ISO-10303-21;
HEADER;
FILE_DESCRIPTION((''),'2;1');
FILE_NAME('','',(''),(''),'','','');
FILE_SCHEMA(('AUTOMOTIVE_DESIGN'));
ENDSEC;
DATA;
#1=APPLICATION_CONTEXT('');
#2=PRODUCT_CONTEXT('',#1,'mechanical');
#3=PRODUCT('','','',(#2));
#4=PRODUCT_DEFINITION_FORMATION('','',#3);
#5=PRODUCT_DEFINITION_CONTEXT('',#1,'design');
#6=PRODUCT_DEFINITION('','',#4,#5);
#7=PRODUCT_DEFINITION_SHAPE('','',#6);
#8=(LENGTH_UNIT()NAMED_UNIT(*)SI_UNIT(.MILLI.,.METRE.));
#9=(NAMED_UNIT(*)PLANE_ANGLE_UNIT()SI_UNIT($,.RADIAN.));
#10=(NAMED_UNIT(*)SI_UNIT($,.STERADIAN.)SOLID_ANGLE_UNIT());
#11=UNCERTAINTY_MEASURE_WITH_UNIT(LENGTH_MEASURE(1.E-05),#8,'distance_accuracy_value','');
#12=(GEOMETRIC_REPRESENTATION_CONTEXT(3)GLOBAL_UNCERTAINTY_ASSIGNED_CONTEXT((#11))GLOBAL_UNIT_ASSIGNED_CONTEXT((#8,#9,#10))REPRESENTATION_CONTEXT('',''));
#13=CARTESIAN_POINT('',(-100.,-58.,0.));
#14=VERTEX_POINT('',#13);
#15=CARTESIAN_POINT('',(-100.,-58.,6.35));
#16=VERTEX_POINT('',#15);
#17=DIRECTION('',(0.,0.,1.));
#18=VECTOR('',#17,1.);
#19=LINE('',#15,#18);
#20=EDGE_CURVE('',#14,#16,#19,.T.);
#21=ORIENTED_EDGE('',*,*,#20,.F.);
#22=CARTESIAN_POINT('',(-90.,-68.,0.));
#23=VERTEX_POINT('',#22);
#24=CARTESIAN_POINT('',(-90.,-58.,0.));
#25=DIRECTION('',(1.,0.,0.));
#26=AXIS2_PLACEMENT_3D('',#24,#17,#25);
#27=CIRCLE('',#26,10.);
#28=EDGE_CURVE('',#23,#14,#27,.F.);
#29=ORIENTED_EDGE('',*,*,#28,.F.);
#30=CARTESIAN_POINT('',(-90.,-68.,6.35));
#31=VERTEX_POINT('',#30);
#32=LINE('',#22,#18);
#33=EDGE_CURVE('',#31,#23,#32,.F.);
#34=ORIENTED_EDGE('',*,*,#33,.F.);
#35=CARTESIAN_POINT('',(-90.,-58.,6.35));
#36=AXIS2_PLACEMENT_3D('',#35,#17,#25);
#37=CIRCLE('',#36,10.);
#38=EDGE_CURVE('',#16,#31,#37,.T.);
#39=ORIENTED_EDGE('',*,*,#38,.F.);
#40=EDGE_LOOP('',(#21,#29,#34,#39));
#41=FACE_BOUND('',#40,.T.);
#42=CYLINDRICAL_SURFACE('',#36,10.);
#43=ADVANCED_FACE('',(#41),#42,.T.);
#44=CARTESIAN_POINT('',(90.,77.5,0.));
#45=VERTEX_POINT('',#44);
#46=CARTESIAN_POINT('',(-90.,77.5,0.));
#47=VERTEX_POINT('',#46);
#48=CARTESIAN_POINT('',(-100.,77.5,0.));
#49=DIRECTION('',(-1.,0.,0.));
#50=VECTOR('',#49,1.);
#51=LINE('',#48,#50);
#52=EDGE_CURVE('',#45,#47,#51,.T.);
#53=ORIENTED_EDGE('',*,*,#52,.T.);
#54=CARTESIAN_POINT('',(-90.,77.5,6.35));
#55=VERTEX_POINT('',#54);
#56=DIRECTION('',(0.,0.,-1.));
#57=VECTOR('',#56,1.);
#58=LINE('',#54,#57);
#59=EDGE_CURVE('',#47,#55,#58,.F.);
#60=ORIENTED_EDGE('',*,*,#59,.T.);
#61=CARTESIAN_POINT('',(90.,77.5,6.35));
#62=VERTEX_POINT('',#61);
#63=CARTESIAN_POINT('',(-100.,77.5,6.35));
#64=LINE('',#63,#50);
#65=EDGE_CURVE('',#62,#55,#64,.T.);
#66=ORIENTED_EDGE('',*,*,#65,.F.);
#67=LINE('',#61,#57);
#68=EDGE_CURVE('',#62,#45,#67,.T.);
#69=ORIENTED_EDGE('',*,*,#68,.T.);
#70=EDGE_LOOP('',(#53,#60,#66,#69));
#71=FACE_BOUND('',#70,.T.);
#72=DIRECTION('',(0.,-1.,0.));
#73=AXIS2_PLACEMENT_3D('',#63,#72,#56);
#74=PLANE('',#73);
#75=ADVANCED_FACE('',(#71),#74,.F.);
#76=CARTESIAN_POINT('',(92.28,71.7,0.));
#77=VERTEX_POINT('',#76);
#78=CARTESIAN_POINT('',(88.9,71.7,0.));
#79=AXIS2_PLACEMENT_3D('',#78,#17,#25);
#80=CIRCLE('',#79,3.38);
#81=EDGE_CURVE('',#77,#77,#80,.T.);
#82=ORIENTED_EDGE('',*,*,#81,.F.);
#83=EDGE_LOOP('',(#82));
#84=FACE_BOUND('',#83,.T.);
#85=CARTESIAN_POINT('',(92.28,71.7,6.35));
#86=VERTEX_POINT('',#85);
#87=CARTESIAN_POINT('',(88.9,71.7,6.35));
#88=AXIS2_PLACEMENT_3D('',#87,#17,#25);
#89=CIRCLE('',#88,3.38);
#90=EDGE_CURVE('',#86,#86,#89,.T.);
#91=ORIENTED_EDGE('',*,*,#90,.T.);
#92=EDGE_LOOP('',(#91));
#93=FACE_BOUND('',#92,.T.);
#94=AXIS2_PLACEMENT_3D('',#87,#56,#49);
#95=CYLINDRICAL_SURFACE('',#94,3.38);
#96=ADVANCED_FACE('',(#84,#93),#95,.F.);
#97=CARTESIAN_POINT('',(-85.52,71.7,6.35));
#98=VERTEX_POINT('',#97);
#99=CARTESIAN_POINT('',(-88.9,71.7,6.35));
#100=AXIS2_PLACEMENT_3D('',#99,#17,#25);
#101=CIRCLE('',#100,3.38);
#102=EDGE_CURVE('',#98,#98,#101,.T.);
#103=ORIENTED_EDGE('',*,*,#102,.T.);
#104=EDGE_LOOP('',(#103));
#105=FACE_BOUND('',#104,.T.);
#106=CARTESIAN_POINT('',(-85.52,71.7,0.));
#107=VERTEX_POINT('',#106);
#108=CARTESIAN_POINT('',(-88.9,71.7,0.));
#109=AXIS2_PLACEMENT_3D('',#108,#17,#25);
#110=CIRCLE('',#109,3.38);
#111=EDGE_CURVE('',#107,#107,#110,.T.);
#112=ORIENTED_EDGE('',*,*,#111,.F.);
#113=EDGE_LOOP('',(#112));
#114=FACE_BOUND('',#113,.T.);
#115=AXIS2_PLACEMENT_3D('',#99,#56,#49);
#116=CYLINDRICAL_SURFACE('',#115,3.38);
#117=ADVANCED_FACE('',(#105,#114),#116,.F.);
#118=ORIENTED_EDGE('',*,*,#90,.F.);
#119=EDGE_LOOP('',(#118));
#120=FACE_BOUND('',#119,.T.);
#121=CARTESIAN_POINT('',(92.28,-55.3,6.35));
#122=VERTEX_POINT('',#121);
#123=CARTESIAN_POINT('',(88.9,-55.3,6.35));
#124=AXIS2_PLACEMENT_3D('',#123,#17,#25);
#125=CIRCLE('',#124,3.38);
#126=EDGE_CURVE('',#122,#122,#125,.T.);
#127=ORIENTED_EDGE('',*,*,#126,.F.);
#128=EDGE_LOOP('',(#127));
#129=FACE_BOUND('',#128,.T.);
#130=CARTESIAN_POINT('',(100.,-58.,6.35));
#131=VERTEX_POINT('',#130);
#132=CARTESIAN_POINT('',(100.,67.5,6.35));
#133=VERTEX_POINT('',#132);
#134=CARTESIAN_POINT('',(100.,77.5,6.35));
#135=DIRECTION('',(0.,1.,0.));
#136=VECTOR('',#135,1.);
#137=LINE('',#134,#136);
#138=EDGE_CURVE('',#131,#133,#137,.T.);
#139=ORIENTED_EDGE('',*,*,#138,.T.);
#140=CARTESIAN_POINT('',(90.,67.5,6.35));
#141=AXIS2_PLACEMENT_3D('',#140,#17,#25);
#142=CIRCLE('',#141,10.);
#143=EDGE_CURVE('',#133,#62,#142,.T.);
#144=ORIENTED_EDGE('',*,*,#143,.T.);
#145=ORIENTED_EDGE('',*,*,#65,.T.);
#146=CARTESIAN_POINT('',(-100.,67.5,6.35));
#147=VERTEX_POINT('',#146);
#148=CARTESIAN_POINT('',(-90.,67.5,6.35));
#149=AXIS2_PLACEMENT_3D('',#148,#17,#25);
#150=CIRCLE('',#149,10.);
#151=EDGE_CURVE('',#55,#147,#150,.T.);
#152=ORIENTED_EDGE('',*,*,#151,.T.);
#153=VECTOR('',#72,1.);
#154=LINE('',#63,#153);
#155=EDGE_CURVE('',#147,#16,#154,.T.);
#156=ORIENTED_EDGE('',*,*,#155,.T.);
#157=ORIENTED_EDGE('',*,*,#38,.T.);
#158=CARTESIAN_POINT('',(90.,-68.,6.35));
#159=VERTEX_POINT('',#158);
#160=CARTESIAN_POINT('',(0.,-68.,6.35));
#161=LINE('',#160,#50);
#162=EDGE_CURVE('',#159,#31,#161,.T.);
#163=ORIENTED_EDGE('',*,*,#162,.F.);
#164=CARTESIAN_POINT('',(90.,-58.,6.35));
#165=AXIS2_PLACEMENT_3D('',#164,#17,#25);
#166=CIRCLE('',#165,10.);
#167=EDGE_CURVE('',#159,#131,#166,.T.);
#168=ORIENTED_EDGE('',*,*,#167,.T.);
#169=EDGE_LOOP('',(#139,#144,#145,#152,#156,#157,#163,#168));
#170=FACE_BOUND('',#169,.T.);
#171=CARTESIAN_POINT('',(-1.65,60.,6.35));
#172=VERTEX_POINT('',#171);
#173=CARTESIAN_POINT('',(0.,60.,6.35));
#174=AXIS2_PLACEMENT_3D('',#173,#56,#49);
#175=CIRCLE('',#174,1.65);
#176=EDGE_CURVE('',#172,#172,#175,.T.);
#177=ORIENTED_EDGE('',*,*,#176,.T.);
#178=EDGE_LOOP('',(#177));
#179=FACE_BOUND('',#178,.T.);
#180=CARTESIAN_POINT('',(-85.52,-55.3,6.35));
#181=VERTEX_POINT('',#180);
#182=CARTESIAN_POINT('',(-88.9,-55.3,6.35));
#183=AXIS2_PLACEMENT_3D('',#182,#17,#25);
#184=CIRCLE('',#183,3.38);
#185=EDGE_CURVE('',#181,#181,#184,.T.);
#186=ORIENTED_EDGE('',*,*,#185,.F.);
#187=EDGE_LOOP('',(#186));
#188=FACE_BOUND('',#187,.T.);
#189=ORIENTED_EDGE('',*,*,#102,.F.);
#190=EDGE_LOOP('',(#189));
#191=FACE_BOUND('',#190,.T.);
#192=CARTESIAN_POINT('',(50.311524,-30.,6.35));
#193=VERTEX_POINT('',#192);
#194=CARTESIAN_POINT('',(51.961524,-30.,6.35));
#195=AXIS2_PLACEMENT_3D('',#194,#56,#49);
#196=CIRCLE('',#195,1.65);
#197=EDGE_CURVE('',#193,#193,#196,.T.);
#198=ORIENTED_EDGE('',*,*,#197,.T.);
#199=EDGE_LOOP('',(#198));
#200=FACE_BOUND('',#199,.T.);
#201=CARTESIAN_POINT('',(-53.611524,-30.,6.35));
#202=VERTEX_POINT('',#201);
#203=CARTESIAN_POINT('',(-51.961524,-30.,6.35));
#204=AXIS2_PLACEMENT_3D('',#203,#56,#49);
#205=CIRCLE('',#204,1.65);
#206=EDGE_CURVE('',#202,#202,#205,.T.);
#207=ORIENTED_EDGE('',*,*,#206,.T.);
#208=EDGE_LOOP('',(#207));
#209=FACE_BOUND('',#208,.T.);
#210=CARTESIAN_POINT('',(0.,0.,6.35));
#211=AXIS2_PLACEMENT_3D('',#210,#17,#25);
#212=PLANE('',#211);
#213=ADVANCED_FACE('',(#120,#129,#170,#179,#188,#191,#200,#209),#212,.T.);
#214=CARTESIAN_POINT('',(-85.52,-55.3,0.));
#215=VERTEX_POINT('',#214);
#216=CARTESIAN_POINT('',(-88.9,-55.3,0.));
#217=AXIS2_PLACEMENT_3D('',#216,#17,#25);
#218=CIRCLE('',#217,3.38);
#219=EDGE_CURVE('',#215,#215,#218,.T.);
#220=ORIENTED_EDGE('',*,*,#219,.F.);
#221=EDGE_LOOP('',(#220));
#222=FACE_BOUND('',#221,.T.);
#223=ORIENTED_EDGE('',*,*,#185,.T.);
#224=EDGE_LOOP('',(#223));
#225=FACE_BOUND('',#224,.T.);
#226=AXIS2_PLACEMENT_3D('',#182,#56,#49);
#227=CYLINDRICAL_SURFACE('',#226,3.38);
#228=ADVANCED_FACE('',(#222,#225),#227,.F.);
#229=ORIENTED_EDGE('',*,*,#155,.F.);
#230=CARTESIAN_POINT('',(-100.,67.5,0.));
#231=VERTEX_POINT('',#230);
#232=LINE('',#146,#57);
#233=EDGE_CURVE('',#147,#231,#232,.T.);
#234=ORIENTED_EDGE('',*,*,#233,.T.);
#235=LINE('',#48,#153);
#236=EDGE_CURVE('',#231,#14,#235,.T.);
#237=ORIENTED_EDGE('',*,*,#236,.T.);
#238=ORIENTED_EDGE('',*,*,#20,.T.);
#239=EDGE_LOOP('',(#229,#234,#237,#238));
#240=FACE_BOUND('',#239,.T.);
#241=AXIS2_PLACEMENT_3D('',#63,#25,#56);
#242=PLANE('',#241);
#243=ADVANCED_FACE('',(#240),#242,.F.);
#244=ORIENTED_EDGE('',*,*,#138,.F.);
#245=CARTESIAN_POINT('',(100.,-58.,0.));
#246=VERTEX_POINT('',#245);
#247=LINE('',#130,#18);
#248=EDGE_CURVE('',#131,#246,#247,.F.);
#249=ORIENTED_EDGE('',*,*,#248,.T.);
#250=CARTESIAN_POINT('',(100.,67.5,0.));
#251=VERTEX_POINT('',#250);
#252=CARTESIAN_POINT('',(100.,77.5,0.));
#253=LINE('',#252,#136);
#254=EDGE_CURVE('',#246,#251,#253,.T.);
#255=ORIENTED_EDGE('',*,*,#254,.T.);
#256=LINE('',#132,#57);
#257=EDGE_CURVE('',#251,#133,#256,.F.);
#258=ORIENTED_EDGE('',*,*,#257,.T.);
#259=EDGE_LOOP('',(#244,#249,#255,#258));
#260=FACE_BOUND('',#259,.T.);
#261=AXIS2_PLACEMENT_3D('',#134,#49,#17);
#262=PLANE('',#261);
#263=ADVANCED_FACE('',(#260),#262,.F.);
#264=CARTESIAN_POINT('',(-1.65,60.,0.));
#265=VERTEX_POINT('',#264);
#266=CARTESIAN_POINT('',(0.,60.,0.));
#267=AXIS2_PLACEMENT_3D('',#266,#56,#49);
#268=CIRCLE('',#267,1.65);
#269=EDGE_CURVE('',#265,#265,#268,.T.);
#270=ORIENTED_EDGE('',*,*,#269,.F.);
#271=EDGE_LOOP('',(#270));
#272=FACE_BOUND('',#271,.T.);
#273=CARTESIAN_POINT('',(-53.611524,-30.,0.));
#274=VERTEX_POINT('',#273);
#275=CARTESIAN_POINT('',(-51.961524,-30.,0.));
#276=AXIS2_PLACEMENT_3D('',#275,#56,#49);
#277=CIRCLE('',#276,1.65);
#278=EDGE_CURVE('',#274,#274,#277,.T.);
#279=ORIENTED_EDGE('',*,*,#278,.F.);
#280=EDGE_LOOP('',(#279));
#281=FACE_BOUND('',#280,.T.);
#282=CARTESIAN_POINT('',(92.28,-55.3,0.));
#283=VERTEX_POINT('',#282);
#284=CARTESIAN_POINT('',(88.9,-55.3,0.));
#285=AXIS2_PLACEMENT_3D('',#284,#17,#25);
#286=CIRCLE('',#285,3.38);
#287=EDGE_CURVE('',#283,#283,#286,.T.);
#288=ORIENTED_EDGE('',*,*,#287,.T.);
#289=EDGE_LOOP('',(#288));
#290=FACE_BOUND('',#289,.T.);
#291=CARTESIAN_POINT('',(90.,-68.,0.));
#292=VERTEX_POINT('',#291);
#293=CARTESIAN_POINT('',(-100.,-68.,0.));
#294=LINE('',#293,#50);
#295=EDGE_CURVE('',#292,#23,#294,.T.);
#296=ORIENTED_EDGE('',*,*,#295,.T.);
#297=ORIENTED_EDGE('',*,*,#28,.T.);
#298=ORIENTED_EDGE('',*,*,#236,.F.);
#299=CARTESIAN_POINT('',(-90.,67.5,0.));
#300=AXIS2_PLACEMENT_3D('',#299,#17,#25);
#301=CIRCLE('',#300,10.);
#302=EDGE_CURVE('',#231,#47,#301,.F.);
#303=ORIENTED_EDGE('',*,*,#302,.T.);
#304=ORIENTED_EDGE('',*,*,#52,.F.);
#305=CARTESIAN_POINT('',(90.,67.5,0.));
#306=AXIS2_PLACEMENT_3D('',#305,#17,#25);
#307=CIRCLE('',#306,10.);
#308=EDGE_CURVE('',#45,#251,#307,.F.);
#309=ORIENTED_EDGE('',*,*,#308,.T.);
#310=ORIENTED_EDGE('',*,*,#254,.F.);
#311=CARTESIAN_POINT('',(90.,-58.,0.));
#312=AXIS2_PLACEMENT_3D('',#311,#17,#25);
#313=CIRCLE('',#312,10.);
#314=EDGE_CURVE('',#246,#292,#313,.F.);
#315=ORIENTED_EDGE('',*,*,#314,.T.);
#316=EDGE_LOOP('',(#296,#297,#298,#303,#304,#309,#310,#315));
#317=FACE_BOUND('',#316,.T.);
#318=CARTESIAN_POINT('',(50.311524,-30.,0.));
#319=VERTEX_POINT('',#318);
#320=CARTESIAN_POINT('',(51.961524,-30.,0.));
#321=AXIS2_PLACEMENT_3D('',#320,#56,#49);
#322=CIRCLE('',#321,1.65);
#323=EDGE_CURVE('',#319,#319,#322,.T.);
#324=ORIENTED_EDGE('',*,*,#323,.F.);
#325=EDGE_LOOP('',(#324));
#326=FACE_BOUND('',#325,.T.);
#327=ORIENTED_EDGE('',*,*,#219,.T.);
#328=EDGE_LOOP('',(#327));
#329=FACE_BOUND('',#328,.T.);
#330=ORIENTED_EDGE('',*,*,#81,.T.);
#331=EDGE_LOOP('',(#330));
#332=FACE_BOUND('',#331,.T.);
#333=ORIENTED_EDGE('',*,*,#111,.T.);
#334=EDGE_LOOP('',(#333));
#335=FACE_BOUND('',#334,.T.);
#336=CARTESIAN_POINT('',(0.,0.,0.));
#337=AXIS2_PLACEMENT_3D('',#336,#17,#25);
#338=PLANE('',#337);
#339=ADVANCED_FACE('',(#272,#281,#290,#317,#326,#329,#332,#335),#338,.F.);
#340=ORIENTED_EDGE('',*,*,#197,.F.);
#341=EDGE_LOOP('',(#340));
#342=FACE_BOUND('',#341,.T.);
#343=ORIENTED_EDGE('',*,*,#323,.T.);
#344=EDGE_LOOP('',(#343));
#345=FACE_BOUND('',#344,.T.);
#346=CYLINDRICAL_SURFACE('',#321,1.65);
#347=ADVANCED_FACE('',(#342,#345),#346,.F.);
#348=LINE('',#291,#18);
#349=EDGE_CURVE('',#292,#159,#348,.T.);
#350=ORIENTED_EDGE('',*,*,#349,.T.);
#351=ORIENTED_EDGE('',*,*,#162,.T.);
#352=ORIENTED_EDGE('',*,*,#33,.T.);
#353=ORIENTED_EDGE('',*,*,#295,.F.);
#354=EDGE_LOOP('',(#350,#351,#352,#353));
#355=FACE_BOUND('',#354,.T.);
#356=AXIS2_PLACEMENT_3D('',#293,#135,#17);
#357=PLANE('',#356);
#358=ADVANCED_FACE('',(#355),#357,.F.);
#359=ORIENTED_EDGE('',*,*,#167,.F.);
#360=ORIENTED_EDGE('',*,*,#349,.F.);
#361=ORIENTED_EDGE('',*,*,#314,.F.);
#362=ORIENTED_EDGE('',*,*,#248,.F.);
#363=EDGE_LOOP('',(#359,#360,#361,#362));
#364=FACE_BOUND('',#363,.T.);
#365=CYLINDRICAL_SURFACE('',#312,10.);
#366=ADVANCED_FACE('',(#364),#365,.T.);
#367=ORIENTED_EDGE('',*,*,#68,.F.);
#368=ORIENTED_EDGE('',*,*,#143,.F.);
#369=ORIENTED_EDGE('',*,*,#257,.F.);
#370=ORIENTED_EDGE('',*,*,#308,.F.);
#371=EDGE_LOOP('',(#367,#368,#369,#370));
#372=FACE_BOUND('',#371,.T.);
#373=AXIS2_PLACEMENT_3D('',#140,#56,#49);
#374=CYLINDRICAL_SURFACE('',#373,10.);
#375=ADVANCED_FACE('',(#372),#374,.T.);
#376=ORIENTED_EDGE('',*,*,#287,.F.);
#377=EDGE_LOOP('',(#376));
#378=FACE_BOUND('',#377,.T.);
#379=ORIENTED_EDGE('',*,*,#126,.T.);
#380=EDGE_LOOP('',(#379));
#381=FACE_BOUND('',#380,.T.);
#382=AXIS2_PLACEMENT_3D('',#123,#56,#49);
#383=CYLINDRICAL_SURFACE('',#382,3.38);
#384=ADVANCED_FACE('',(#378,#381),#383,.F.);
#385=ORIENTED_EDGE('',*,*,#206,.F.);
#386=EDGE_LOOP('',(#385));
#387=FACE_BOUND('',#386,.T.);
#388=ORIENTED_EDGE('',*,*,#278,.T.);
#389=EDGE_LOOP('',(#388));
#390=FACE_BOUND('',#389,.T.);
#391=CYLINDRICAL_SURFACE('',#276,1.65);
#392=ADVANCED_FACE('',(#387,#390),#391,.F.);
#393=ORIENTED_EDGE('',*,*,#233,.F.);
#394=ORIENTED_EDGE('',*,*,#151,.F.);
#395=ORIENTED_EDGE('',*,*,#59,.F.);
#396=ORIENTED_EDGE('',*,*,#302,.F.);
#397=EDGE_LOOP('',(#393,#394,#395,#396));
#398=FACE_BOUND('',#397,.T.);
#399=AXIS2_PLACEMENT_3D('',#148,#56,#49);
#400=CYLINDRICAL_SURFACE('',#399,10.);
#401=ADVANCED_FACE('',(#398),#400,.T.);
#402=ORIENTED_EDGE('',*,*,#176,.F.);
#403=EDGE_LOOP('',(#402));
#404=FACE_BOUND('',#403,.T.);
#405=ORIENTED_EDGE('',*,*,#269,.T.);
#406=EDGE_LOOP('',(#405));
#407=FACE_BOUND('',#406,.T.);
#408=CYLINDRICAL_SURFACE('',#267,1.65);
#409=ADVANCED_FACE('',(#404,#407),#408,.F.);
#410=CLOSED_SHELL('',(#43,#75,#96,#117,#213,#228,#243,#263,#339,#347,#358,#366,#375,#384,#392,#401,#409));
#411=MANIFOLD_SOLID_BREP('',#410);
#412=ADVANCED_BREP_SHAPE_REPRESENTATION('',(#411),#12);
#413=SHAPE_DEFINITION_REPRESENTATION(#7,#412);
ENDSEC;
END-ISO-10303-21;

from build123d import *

# Parameters (mm, degrees)
SKETCH1_W               = 200
SKETCH1_H               = 155
SKETCH1_R               = 3.38
BOSS_EXTRUDE1_DEPTH     = 6.35
M4X0_7_TAPPED_HOLE1_D   = 3.3
CUT_EXTRUDE1_DEPTH      = 127.675066607
CUT_EXTRUDE1_DEPTH_BACK = 127.675066607
SKETCH4_W               = 200
SKETCH4_H               = 9.5
FILLET1_R               = 10


with BuildPart() as part:
    # Sketch1 → Boss-Extrude1 (new body)
    with BuildSketch(Plane.XY):
        Rectangle(SKETCH1_W, SKETCH1_H)
        with Locations((-88.9, 71.7)):
            Circle(SKETCH1_R, mode=Mode.SUBTRACT)
        with Locations((88.9, 71.7)):
            Circle(SKETCH1_R, mode=Mode.SUBTRACT)
        with Locations((88.9, -55.3)):
            Circle(SKETCH1_R, mode=Mode.SUBTRACT)
        with Locations((-88.9, -55.3)):
            Circle(SKETCH1_R, mode=Mode.SUBTRACT)
    extrude(amount=BOSS_EXTRUDE1_DEPTH)

    # M4x0.7 Tapped Hole1 (through all)
    with Locations(Plane(origin=(51.961524227, -30, 0), x_dir=(-1, 0, 0), z_dir=(0, 0, -1))):
        with Locations((0, 0), (103.923048454, 0), (51.961524227, 90)):
            Hole(M4X0_7_TAPPED_HOLE1_D / 2)

    # Sketch4 → Cut-Extrude1 (cut, two sides: drawn at the far end of the back side and taken through both)
    with BuildSketch(Plane.XY.offset(6.35).offset(-CUT_EXTRUDE1_DEPTH_BACK)):
        with Locations((0, -72.75)):
            Rectangle(SKETCH4_W, SKETCH4_H)
    extrude(amount=CUT_EXTRUDE1_DEPTH + CUT_EXTRUDE1_DEPTH_BACK, mode=Mode.SUBTRACT)

    # Fillet1
    fillet1_edges = [part.edges().sort_by_distance(p)[0] for p in [
        (-100, -68, 3.175),
        (100, -68, 3.175),
        (-100, 77.5, 3.175),
        (100, 77.5, 3.175),
    ]]
    fillet(fillet1_edges, radius=FILLET1_R)


solid = part.part
